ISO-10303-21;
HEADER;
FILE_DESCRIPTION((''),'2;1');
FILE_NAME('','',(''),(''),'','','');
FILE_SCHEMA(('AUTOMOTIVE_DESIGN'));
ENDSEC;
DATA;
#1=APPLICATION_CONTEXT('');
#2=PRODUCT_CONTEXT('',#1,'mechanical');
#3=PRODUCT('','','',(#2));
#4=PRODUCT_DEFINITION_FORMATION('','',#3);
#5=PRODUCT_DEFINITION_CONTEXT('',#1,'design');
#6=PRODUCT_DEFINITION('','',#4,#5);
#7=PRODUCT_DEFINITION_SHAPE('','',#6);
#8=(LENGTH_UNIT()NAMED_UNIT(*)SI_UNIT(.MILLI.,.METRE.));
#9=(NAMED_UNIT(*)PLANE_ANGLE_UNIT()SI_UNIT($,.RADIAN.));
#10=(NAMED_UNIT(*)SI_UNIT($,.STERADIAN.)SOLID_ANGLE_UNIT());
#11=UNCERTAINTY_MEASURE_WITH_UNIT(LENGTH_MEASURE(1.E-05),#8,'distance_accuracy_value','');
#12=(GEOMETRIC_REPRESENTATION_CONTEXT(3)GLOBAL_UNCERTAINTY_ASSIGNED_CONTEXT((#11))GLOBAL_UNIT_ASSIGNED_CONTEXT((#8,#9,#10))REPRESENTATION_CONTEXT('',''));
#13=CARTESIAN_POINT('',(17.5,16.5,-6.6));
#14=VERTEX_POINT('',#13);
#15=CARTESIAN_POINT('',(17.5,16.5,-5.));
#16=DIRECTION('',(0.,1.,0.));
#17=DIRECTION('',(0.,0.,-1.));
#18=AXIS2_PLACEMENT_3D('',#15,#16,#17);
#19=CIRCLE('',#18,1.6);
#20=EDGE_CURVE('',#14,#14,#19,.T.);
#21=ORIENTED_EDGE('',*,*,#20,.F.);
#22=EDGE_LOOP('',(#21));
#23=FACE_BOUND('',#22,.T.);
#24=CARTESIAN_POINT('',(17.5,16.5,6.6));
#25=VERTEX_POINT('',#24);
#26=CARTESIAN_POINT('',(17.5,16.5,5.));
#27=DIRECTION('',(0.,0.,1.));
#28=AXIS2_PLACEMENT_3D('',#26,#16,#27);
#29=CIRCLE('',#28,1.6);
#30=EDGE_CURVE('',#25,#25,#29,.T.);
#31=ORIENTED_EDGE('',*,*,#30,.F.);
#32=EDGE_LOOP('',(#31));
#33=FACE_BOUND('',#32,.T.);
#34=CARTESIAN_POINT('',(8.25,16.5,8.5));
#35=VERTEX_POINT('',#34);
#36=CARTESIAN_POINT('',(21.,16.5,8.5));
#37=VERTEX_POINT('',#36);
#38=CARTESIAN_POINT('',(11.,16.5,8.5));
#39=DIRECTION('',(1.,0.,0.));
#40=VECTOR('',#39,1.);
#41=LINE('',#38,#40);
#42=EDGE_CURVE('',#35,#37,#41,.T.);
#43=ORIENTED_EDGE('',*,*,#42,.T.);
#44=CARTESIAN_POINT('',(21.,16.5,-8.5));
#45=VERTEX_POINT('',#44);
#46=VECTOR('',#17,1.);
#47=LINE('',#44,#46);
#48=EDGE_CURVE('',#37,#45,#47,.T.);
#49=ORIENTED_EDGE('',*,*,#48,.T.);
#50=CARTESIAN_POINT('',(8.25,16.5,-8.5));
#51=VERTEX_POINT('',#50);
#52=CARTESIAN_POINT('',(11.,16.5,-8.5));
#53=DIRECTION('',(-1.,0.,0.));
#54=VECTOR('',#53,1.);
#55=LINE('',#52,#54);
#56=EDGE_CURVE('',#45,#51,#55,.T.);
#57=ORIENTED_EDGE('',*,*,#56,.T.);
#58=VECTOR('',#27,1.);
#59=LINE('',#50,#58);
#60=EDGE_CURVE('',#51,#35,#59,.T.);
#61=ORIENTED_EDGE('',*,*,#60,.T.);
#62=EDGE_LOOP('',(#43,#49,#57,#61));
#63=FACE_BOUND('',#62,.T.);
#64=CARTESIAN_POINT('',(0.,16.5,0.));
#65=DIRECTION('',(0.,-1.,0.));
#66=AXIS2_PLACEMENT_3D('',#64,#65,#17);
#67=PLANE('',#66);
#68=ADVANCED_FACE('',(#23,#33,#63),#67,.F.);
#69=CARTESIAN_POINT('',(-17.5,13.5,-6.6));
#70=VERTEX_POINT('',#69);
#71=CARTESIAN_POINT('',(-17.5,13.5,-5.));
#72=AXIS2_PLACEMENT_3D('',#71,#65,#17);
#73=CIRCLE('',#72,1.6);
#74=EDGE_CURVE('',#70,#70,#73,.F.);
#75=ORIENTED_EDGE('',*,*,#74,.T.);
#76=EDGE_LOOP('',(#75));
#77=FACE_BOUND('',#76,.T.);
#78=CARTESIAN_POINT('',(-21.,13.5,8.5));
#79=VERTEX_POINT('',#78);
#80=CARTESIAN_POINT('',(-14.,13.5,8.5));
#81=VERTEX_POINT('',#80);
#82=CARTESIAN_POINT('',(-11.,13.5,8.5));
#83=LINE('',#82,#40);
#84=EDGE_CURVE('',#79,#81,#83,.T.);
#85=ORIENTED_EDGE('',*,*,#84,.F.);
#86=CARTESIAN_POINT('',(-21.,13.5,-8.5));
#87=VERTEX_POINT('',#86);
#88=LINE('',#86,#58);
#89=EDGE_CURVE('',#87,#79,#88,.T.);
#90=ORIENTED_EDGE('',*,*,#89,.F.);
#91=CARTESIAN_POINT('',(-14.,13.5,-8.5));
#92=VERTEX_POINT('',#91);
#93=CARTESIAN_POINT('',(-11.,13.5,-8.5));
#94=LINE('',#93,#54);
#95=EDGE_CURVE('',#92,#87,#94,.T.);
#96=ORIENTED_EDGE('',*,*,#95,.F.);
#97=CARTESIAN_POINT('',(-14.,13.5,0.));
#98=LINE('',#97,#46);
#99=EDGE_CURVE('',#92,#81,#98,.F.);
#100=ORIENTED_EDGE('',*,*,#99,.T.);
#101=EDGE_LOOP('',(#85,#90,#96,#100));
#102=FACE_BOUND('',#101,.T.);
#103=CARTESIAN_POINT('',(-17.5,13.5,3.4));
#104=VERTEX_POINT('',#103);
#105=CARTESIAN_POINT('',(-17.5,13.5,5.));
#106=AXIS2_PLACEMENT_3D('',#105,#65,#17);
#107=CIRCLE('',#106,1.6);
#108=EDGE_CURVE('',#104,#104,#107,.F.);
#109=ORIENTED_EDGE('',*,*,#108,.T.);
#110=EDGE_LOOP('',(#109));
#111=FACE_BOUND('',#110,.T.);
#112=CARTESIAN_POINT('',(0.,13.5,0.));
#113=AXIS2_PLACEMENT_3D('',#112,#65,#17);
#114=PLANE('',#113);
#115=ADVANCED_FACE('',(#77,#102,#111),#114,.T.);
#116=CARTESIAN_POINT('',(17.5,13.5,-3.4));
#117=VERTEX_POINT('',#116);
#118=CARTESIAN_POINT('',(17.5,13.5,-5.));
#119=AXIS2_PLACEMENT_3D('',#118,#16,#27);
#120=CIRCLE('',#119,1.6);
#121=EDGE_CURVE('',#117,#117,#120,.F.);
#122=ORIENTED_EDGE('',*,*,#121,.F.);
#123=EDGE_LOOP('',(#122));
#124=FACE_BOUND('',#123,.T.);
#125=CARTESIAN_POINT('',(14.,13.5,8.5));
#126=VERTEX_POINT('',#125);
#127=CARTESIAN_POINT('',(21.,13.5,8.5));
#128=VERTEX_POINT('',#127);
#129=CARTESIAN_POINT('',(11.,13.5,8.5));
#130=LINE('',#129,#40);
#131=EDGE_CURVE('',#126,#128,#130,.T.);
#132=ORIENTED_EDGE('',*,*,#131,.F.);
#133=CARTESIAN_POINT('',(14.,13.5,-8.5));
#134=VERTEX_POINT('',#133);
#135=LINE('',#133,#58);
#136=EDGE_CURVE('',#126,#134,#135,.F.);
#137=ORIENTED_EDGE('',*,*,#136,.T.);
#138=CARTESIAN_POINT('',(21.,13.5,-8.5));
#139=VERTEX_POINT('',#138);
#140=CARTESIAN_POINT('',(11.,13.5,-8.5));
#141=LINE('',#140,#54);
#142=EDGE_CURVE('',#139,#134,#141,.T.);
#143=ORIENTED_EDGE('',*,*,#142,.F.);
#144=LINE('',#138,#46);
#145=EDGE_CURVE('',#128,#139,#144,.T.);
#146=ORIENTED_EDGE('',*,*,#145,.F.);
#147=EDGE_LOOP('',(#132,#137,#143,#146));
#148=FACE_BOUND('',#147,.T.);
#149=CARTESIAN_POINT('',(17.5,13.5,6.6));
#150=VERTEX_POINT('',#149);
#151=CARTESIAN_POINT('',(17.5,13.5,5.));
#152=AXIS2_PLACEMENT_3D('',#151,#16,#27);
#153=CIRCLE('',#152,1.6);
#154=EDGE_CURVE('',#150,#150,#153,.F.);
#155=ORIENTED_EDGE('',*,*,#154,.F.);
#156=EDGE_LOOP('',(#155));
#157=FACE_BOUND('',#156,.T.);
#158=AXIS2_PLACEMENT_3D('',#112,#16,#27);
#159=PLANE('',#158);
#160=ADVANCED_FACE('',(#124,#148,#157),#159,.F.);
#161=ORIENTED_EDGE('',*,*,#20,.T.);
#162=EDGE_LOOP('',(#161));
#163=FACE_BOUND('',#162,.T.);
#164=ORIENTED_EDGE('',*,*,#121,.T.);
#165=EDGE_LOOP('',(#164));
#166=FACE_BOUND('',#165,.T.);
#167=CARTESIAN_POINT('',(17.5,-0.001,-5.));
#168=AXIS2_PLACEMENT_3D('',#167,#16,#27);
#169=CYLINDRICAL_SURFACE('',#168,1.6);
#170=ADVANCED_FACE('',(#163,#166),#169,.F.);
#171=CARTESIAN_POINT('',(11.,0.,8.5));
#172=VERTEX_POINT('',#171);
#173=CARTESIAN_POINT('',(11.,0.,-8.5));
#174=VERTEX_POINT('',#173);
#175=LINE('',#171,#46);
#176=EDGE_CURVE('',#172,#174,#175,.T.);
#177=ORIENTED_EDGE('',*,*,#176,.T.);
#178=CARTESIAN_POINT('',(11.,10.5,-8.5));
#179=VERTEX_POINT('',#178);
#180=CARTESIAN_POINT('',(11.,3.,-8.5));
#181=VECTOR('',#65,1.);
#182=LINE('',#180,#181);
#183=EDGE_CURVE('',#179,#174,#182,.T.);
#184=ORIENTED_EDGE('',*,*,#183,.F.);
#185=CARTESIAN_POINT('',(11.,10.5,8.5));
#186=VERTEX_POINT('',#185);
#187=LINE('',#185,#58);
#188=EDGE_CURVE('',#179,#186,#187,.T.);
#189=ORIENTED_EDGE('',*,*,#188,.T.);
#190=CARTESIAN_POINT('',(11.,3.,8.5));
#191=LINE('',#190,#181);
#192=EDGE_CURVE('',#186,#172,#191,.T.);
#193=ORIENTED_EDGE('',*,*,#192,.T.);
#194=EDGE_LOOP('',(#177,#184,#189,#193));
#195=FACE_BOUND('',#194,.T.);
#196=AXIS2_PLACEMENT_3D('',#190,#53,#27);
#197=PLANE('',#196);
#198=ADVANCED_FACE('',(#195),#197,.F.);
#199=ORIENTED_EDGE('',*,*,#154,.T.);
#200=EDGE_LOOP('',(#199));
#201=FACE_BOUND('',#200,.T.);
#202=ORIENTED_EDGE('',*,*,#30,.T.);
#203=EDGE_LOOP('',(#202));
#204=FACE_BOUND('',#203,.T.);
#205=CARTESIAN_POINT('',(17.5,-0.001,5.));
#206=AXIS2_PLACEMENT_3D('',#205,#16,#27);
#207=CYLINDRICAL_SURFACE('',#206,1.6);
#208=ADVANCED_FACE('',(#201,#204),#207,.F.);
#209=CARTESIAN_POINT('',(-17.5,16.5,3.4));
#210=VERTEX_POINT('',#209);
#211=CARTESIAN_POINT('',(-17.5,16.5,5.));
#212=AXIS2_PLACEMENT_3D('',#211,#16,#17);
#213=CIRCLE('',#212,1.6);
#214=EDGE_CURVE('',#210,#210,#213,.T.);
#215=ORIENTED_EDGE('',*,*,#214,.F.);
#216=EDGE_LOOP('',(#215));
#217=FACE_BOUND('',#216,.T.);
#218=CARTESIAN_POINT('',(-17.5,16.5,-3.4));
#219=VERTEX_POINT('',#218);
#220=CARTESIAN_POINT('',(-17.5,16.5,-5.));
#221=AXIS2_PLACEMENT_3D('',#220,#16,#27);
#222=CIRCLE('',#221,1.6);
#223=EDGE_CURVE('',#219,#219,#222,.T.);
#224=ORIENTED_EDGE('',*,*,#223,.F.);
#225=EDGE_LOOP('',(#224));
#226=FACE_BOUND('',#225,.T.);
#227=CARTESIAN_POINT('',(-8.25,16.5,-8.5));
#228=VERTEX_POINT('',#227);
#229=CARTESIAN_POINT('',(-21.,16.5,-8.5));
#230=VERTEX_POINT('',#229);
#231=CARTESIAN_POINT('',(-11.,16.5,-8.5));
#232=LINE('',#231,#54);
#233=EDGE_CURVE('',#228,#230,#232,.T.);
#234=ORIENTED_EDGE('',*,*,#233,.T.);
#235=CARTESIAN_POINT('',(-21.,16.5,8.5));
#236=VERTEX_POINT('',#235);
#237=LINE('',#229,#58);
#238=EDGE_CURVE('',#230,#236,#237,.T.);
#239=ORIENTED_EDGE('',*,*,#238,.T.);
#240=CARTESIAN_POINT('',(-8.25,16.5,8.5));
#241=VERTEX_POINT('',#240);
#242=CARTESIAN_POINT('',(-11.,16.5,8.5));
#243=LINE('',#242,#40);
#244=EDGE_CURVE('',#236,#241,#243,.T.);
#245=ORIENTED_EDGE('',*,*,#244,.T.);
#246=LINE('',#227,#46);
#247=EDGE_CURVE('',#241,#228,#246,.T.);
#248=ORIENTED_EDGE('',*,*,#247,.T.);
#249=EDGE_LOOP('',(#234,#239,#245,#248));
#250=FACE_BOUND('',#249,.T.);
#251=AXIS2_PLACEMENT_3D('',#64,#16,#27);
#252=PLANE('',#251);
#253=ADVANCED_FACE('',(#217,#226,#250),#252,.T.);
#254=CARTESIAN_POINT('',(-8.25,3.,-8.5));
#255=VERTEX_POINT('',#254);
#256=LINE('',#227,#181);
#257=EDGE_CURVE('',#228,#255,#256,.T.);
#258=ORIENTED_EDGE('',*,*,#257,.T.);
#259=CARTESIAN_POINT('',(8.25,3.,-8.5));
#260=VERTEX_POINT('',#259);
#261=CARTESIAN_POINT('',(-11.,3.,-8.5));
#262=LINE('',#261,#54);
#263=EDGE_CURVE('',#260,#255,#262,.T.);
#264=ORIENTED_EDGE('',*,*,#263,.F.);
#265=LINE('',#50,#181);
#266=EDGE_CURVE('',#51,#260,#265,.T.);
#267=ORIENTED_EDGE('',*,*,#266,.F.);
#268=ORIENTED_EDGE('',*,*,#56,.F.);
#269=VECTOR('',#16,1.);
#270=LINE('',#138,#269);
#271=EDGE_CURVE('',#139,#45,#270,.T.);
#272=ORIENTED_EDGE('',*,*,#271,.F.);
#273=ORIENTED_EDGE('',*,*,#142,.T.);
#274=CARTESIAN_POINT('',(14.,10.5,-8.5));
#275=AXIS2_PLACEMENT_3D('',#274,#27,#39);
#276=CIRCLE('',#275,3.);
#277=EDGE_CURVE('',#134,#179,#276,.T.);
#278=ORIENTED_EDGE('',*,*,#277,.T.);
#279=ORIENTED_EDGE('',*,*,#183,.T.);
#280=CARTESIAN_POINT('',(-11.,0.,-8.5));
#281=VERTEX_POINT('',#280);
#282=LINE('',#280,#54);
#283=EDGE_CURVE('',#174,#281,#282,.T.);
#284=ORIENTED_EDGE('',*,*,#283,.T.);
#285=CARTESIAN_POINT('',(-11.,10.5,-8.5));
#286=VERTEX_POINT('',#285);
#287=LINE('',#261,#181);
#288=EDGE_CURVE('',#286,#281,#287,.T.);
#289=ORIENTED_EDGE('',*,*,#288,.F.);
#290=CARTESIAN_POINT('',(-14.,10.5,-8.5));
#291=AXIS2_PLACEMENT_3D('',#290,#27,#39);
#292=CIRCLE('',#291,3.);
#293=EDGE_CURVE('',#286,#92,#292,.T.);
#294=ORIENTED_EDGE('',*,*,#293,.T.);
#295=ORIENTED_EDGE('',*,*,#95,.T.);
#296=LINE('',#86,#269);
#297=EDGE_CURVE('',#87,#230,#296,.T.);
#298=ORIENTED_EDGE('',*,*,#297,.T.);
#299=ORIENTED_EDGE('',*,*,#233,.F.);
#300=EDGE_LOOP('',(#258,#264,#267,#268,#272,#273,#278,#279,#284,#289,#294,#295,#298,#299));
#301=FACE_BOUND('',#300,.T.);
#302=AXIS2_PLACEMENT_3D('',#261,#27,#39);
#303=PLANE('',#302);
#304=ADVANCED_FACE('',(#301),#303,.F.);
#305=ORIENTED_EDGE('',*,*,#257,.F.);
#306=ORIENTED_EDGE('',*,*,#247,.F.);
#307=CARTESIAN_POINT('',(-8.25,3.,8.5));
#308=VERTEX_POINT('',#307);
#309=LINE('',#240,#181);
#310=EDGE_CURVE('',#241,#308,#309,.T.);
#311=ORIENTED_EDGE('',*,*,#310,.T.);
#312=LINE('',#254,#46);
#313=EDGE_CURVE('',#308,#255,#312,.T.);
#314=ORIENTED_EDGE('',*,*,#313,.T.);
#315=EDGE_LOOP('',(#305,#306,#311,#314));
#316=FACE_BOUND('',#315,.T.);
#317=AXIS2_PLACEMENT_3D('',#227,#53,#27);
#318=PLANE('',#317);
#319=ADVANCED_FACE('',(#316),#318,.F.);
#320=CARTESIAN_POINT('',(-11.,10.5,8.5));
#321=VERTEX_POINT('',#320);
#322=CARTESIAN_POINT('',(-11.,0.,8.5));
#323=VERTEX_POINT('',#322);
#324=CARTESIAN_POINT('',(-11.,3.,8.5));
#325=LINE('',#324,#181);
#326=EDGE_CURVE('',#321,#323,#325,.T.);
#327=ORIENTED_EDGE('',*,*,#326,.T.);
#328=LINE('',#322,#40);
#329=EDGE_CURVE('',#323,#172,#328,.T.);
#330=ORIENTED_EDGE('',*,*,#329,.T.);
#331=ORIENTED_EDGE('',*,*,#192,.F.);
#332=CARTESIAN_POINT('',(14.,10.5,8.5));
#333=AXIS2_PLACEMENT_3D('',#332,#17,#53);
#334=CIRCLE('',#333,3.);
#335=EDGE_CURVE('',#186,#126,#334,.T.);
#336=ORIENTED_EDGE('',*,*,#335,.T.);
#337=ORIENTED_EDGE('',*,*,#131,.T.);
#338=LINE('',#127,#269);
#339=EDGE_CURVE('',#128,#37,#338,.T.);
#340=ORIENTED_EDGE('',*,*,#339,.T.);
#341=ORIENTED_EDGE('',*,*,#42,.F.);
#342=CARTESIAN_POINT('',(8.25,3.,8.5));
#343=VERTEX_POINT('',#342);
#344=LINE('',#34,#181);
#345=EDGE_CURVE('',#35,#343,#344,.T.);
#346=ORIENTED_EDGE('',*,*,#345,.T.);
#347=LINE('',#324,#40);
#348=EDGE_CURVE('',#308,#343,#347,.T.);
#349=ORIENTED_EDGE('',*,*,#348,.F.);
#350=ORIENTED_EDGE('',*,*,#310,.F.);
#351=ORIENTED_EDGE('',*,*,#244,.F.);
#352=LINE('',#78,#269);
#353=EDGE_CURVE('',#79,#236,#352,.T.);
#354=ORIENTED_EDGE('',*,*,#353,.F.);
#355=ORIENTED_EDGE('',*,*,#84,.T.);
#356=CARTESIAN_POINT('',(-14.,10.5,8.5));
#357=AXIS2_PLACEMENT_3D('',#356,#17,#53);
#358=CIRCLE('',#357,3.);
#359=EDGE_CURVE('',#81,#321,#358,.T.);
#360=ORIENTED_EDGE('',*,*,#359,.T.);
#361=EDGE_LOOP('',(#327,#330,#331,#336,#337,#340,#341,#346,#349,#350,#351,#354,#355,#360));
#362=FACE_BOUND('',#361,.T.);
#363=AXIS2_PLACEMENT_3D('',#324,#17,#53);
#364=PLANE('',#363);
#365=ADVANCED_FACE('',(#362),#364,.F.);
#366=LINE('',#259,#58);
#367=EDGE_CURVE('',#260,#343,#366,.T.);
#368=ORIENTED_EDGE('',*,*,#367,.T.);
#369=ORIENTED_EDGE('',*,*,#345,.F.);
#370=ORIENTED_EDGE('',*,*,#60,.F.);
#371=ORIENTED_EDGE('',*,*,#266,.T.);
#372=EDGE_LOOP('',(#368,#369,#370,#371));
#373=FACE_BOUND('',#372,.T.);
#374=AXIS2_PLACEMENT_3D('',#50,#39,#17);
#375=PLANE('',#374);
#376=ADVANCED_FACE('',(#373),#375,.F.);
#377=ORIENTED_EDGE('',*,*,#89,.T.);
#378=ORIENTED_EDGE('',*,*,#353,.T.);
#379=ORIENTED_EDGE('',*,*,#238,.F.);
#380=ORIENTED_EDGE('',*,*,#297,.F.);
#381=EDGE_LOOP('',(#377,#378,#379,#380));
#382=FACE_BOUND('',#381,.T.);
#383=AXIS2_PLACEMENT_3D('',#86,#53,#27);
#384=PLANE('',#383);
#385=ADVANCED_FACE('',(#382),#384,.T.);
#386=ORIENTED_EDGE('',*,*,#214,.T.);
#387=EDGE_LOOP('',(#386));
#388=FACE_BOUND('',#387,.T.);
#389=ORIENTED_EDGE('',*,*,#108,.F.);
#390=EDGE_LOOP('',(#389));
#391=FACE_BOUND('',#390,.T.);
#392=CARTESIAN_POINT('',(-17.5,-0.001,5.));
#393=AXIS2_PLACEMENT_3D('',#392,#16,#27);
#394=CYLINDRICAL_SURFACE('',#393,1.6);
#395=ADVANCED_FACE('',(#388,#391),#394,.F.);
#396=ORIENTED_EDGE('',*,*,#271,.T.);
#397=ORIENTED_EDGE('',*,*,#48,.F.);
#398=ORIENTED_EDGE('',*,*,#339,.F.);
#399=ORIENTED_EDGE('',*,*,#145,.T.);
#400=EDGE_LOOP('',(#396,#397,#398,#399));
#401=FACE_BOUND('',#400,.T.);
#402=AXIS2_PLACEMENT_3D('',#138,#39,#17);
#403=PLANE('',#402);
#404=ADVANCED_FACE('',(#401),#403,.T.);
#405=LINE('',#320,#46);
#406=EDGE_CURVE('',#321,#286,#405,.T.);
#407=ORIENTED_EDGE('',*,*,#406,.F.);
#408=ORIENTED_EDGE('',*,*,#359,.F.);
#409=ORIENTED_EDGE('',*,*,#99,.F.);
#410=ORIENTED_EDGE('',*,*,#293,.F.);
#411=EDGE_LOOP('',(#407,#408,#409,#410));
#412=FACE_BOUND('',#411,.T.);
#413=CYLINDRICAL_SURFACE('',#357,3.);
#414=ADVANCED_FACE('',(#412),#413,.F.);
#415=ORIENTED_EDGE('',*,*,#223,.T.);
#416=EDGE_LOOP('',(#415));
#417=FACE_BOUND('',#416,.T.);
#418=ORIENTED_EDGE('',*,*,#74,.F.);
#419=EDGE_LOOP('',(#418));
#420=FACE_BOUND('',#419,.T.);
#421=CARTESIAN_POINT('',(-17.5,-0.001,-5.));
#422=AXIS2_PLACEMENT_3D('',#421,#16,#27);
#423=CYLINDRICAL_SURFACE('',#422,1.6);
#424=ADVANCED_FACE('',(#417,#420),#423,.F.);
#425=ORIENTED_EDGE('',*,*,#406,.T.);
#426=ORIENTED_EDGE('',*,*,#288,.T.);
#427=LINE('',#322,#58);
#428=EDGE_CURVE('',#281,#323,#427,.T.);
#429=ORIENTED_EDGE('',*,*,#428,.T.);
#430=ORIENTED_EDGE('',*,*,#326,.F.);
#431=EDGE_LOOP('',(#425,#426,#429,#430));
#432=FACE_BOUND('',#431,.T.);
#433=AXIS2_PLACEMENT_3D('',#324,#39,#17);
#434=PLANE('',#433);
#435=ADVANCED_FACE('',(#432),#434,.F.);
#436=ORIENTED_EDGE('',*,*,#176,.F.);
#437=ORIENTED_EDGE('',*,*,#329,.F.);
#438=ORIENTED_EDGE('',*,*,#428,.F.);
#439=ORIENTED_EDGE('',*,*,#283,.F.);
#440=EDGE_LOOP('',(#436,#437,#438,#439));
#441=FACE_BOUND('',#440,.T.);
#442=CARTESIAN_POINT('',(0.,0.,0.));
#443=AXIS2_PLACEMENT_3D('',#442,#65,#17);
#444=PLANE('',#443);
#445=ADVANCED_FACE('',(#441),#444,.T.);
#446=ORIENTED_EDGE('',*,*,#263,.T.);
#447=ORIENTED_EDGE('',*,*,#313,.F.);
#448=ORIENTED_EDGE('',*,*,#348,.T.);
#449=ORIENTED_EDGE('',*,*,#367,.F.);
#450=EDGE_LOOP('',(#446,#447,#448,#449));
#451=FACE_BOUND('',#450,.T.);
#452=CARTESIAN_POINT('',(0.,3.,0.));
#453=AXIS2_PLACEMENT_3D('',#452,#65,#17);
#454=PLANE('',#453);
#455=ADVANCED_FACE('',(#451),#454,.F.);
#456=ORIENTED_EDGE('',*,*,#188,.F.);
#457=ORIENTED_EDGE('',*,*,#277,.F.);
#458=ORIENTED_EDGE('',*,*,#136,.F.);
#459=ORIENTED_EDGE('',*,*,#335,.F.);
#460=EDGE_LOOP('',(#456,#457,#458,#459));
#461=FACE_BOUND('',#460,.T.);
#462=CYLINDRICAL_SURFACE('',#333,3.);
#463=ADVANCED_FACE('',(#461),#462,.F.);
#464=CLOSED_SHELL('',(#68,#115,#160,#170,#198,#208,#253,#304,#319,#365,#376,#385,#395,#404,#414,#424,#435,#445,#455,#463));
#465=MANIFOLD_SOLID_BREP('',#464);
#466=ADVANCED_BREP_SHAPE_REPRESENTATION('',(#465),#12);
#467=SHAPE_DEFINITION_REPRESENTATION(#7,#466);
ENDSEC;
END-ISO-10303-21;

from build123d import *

# Parameters (mm, degrees)
SKETCH_1_W          = 22
SKETCH_1_H          = 17
EXTRUDE_1_DEPTH     = 3
SKETCH_2_W          = 2.75
SKETCH_2_H          = 17
EXTRUDE_2_DEPTH     = 13.5
SKETCH_3_W          = 10
SKETCH_3_H          = 17
EXTRUDE_3_DEPTH     = 3
CUT_EXTRUDE_1_REACH = 30.027
SKETCH_4_R          = 1.6
FILLET_1_R          = 3


with BuildPart() as part:
    # 草图1 → 凸台-拉伸1 (new body)
    with BuildSketch(Plane(origin=(0, 0, 0), x_dir=(1, 0, 0), z_dir=(0, 1, 0))):
        Rectangle(SKETCH_1_W, SKETCH_1_H)
    extrude(amount=EXTRUDE_1_DEPTH)

    # 草图2 → 凸台-拉伸2 (add)
    with BuildSketch(Plane(origin=(0, 3, 0), x_dir=(1, 0, 0), z_dir=(0, 1, 0))):
        with Locations((-9.625, 0)):
            Rectangle(SKETCH_2_W, SKETCH_2_H)
        with Locations((9.625, 0)):
            Rectangle(SKETCH_2_W, SKETCH_2_H)
    extrude(amount=EXTRUDE_2_DEPTH)

    # 草图3 → 凸台-拉伸3 (add)
    with BuildSketch(Plane(origin=(0, 16.5, 0), x_dir=(1, 0, 0), z_dir=(0, 1, 0))):
        with Locations((16, 0)):
            Rectangle(SKETCH_3_W, SKETCH_3_H)
        with Locations((-16, 0)):
            Rectangle(SKETCH_3_W, SKETCH_3_H)
    extrude(amount=-EXTRUDE_3_DEPTH)

    # 草图4 → 切除-拉伸1 (cut, up to next)
    with BuildSketch(Plane(origin=(0, 16.5, 0), x_dir=(1, 0, 0), z_dir=(0, 1, 0)), mode=Mode.PRIVATE) as cut_extrude_1_sk1:
        with Locations(Location((-17.5, 5, 0), (0, 0, 270))):
            Circle(SKETCH_4_R)
    cut_extrude_1_tool1 = extrude(cut_extrude_1_sk1.sketch, amount=-CUT_EXTRUDE_1_REACH, mode=Mode.PRIVATE) & part.part
    # 草图4 → 切除-拉伸1 (cut, up to next)
    with BuildSketch(Plane(origin=(0, 16.5, 0), x_dir=(1, 0, 0), z_dir=(0, 1, 0)), mode=Mode.PRIVATE) as cut_extrude_1_sk2:
        with Locations(Location((-17.5, -5, 0), (0, 0, 90))):
            Circle(SKETCH_4_R)
    cut_extrude_1_tool2 = extrude(cut_extrude_1_sk2.sketch, amount=-CUT_EXTRUDE_1_REACH, mode=Mode.PRIVATE) & part.part
    # 草图4 → 切除-拉伸1 (cut, up to next)
    with BuildSketch(Plane(origin=(0, 16.5, 0), x_dir=(1, 0, 0), z_dir=(0, 1, 0)), mode=Mode.PRIVATE) as cut_extrude_1_sk3:
        with Locations(Location((17.5, -5, 0), (0, 0, 270))):
            Circle(SKETCH_4_R)
    cut_extrude_1_tool3 = extrude(cut_extrude_1_sk3.sketch, amount=-CUT_EXTRUDE_1_REACH, mode=Mode.PRIVATE) & part.part
    # 草图4 → 切除-拉伸1 (cut, up to next)
    with BuildSketch(Plane(origin=(0, 16.5, 0), x_dir=(1, 0, 0), z_dir=(0, 1, 0)), mode=Mode.PRIVATE) as cut_extrude_1_sk4:
        with Locations(Location((17.5, 5, 0), (0, 0, 270))):
            Circle(SKETCH_4_R)
    cut_extrude_1_tool4 = extrude(cut_extrude_1_sk4.sketch, amount=-CUT_EXTRUDE_1_REACH, mode=Mode.PRIVATE) & part.part
    add(cut_extrude_1_tool1.solids().sort_by_distance((-17.5, 16.5, -5))[0], mode=Mode.SUBTRACT)
    add(cut_extrude_1_tool2.solids().sort_by_distance((-17.5, 16.5, 5))[0], mode=Mode.SUBTRACT)
    add(cut_extrude_1_tool3.solids().sort_by_distance((17.5, 16.5, 5))[0], mode=Mode.SUBTRACT)
    add(cut_extrude_1_tool4.solids().sort_by_distance((17.5, 16.5, -5))[0], mode=Mode.SUBTRACT)

    # 圆角1
    fillet_1_edges = [part.edges().sort_by_distance(p)[0] for p in [
        (11, 13.5, 0),
        (-11, 13.5, 0),
    ]]
    fillet(fillet_1_edges, radius=FILLET_1_R)


solid = part.part
